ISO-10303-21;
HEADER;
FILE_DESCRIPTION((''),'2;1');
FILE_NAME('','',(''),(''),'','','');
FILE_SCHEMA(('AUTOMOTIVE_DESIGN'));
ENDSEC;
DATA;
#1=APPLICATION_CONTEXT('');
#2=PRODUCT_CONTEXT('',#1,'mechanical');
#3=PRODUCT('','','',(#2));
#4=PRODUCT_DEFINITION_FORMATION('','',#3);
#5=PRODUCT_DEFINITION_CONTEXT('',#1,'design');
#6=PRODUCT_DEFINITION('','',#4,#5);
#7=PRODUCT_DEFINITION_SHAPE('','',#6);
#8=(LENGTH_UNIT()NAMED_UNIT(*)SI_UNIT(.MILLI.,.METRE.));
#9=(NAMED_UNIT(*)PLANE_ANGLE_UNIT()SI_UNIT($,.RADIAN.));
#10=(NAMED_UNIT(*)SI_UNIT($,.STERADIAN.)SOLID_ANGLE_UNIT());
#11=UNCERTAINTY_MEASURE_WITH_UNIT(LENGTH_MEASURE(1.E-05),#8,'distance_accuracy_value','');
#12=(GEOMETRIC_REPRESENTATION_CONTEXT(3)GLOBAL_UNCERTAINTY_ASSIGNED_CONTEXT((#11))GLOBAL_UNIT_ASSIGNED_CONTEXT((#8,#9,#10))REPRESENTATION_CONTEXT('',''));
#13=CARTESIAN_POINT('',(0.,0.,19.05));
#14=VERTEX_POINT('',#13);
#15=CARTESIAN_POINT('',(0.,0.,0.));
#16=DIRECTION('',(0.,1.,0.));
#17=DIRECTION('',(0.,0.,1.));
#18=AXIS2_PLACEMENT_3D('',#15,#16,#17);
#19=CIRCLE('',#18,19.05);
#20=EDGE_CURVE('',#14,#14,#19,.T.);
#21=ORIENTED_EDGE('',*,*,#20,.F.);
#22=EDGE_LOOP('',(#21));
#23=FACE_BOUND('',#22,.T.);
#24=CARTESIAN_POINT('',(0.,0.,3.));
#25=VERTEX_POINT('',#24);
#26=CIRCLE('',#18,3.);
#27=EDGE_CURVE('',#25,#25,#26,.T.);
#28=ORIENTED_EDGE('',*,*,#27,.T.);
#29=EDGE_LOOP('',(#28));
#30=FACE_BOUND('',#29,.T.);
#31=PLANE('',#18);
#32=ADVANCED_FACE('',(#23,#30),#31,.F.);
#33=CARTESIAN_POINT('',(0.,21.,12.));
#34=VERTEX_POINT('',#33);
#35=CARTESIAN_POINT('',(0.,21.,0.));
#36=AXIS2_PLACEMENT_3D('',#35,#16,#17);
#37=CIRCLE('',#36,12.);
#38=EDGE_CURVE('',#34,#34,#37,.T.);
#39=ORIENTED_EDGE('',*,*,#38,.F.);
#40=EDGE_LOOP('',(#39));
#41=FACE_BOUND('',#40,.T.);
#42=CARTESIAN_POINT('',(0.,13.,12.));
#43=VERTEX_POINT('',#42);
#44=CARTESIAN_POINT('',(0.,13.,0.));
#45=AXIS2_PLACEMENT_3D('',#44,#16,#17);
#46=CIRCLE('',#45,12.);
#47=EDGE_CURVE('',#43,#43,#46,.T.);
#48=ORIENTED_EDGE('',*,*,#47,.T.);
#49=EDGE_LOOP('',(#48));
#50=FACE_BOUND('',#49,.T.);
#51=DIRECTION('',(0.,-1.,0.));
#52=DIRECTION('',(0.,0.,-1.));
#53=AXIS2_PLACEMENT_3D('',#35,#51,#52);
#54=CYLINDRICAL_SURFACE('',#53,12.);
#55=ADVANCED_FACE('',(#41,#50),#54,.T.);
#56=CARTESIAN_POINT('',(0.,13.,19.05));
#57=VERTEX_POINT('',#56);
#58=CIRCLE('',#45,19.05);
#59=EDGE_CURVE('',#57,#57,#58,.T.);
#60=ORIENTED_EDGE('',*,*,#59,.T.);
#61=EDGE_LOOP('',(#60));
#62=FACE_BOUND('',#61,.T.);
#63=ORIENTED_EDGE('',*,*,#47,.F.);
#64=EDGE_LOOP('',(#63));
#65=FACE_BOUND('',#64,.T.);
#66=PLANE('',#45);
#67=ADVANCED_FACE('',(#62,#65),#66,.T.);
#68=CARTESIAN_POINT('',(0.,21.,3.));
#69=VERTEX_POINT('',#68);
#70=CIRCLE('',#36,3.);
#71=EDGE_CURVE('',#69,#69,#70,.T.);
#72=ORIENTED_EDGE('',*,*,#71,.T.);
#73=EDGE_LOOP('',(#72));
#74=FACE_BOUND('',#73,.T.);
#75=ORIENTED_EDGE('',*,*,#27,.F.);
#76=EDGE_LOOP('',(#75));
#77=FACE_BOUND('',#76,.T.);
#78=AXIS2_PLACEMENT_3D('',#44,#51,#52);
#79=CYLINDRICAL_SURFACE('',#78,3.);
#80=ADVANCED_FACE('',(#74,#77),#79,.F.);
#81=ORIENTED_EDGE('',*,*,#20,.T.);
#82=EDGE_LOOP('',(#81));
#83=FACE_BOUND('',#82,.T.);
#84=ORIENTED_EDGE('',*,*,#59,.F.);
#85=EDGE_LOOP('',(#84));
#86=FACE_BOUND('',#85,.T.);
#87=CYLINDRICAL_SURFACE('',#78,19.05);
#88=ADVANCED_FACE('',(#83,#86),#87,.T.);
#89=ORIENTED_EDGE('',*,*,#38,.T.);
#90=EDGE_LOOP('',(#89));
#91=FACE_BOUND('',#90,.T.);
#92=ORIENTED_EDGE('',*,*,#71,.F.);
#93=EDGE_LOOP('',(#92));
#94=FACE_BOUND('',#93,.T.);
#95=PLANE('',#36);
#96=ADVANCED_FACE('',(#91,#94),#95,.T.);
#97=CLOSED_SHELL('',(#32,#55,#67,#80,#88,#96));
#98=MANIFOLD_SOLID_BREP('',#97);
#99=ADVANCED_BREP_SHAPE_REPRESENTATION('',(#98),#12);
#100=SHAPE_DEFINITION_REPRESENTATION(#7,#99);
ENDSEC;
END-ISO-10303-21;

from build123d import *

# Parameters (mm, degrees)
SKETCH1_R           = 19.05
SKETCH1_R_2         = 3
BOSS_EXTRUDE1_DEPTH = 13
SKETCH2_R           = 12
SKETCH2_R_2         = 3
BOSS_EXTRUDE2_DEPTH = 8


with BuildPart() as part:
    # Sketch1 → Boss-Extrude1 (new body)
    with BuildSketch(Plane(origin=(0, 0, 0), x_dir=(1, 0, 0), z_dir=(0, 1, 0))):
        Circle(SKETCH1_R)
        Circle(SKETCH1_R_2, mode=Mode.SUBTRACT)
    extrude(amount=BOSS_EXTRUDE1_DEPTH)

    # Sketch2 → Boss-Extrude2 (add)
    with BuildSketch(Plane(origin=(0, 13, 0), x_dir=(1, 0, 0), z_dir=(0, 1, 0))):
        Circle(SKETCH2_R)
        Circle(SKETCH2_R_2, mode=Mode.SUBTRACT)
    extrude(amount=BOSS_EXTRUDE2_DEPTH)


solid = part.part
